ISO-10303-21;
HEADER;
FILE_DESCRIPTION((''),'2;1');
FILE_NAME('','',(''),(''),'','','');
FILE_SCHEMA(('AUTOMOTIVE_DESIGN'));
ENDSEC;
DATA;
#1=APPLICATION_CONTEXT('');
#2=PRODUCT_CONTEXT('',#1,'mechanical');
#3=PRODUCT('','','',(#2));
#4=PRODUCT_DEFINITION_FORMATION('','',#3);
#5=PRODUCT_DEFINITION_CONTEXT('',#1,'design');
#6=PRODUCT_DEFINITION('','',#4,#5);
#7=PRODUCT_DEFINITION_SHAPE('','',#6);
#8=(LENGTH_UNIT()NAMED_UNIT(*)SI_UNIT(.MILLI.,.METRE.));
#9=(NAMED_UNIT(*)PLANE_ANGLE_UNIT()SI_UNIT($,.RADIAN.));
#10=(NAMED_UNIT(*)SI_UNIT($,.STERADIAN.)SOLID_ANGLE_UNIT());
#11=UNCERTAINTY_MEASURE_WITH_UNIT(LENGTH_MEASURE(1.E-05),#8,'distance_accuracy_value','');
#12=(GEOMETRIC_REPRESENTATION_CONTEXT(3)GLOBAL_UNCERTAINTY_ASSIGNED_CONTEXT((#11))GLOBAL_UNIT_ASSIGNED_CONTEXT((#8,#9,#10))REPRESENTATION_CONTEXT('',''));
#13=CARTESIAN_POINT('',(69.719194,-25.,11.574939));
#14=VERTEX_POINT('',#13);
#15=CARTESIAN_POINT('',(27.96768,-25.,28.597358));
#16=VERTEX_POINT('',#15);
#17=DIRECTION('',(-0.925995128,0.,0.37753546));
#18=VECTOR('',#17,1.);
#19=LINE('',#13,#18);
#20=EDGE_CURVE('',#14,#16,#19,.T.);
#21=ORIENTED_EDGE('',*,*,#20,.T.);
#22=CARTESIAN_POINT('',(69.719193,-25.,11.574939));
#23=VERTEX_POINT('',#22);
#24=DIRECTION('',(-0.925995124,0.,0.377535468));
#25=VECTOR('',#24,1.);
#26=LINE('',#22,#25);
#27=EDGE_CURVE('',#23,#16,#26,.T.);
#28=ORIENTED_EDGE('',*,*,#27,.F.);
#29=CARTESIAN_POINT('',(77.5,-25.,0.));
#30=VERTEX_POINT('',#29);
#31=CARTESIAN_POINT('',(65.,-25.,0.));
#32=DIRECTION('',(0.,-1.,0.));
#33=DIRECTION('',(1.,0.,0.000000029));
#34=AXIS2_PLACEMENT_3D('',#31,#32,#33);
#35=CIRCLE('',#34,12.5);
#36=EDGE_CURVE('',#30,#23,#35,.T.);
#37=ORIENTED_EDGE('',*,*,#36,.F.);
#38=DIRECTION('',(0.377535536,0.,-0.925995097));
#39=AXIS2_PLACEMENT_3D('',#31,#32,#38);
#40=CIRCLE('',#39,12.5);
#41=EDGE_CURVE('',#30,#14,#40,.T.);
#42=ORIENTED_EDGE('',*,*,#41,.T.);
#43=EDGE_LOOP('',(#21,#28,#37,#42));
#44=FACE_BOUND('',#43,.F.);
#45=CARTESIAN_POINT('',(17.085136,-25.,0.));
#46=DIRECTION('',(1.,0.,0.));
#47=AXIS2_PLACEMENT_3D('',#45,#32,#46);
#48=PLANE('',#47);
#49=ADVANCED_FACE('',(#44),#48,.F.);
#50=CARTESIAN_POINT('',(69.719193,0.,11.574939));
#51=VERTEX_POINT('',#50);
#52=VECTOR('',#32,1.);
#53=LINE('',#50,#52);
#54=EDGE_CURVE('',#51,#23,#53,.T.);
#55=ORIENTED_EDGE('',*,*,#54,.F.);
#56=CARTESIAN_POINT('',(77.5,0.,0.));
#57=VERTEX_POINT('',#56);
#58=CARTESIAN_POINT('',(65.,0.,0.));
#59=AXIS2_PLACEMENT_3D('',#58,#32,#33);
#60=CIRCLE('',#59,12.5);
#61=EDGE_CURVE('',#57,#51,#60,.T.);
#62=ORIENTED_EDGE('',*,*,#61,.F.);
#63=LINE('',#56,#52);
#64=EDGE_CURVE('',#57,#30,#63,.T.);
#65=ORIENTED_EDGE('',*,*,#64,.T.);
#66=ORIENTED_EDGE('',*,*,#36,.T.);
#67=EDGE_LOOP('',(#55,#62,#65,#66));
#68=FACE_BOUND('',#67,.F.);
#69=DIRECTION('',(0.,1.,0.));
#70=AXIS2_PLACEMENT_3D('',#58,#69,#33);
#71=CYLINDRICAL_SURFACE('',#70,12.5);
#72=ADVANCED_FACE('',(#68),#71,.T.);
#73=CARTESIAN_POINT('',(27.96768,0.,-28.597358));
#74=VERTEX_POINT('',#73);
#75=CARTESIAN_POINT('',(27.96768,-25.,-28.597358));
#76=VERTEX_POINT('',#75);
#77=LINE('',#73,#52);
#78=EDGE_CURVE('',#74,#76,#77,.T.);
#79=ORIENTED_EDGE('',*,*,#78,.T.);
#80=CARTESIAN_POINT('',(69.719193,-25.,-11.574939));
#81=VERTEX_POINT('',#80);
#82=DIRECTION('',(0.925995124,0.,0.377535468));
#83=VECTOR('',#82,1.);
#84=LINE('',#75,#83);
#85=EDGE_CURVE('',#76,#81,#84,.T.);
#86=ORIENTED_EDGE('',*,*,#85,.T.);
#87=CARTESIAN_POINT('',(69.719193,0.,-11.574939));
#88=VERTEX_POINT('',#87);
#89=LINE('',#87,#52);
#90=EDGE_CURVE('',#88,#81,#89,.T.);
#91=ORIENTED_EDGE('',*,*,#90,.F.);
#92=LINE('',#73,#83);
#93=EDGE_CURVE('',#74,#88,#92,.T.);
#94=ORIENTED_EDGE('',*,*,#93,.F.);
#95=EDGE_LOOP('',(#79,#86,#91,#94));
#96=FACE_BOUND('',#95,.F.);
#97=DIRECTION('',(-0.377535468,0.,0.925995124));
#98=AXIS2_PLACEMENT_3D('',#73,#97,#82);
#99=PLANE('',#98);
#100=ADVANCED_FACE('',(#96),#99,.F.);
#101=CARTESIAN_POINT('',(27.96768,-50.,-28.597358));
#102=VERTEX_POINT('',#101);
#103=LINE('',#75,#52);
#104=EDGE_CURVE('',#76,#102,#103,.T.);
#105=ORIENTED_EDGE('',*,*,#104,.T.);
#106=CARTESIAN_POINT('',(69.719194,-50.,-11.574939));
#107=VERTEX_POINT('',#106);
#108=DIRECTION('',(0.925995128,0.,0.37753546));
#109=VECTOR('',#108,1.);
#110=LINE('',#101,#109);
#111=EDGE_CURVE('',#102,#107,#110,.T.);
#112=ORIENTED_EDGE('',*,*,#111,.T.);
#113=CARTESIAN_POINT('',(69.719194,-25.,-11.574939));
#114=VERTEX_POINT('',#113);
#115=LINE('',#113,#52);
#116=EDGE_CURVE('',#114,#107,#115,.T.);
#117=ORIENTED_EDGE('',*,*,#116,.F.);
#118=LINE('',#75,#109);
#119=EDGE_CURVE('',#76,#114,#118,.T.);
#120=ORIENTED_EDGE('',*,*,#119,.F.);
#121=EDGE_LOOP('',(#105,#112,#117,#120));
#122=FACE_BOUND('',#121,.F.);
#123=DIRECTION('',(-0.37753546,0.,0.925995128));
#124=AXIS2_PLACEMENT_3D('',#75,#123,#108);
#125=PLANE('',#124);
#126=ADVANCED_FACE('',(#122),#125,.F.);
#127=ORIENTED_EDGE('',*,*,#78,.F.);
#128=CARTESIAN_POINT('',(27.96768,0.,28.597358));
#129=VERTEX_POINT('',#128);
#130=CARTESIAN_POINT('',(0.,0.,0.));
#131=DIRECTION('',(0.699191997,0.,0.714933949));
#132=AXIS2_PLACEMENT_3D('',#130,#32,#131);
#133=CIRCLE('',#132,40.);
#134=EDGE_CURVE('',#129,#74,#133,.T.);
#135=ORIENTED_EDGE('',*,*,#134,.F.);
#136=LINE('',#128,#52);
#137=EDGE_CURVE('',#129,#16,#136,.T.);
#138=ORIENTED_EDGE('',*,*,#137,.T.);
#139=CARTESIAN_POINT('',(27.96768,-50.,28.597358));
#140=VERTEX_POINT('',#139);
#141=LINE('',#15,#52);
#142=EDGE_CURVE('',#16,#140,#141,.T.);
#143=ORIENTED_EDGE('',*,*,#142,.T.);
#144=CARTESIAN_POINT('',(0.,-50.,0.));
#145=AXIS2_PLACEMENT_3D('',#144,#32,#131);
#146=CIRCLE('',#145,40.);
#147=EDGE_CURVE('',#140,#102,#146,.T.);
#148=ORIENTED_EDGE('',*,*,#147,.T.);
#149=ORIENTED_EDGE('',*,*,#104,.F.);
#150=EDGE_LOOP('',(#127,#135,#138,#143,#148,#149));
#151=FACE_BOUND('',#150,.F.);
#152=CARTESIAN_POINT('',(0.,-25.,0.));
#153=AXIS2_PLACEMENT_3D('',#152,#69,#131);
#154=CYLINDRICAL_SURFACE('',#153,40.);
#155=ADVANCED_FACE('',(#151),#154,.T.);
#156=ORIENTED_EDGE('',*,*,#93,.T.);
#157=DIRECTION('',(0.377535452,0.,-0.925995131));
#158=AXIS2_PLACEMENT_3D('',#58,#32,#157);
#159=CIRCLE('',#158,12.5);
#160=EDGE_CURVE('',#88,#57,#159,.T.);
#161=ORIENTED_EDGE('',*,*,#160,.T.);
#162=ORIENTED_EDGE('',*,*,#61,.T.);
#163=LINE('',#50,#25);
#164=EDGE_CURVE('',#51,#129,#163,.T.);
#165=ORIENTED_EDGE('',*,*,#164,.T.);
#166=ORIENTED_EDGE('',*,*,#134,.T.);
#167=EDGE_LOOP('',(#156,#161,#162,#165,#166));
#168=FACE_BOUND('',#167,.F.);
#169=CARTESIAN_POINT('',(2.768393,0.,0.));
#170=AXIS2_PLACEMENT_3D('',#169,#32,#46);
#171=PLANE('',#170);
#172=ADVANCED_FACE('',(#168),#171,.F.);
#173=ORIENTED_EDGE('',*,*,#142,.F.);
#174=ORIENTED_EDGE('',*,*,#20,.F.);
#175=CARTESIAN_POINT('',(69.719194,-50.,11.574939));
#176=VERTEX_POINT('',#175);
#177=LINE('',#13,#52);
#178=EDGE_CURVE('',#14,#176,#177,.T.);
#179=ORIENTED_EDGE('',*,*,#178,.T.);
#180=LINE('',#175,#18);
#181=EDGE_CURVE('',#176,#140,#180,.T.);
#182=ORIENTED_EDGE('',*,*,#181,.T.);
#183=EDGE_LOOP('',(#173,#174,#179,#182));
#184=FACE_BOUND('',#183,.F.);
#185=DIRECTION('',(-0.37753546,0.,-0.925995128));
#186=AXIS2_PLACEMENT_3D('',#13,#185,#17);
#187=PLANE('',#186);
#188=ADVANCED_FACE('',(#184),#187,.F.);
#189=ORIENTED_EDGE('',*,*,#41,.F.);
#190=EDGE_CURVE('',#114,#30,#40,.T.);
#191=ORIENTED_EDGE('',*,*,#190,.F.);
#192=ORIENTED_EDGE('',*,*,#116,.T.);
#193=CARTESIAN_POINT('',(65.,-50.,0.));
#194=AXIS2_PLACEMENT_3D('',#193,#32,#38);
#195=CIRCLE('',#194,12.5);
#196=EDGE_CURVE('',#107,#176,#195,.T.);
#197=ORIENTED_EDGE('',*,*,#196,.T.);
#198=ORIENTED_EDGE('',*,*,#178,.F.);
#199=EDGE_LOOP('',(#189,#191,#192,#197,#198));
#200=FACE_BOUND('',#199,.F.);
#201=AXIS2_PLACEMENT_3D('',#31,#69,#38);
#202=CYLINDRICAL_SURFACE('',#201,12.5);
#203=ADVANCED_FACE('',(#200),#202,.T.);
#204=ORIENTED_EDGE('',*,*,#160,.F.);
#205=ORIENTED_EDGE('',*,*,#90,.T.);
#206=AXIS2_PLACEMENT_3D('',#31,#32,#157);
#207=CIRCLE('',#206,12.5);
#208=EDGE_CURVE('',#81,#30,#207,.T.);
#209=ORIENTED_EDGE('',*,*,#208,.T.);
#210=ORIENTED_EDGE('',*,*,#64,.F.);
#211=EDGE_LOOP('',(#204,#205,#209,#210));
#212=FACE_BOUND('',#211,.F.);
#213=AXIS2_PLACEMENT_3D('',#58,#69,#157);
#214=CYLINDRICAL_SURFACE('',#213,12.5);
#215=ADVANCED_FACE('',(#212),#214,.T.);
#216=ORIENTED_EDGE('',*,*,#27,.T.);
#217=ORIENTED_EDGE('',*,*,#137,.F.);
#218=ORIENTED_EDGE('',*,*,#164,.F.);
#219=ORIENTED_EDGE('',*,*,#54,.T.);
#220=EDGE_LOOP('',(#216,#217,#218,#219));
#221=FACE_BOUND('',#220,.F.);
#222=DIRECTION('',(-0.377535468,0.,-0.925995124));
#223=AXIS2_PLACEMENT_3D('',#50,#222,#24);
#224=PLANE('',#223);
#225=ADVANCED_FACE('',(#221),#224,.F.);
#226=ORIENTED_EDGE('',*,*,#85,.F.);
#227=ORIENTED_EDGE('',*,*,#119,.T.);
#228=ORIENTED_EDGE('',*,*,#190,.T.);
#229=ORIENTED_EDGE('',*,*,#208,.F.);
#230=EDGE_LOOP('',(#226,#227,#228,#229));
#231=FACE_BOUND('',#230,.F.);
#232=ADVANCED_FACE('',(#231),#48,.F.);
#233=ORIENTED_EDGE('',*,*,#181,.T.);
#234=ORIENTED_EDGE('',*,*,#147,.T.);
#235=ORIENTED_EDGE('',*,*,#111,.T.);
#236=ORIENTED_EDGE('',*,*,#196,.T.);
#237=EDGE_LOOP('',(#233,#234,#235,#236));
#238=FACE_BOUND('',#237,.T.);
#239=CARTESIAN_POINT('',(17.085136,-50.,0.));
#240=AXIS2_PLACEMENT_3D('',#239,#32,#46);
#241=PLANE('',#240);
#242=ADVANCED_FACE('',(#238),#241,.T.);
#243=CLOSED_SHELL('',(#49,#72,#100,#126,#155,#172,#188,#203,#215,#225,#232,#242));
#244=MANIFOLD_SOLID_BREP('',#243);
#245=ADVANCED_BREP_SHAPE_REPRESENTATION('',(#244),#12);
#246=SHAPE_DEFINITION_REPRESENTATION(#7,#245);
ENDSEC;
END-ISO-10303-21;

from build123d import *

# Parameters (mm, degrees)
F2_DEPTH = 25
F3_DEPTH = 25
F1_R     = 6
F4_DEPTH = 50


with BuildPart() as f2:
    # F0 (on Front) → F2 (new body)
    with BuildSketch(Plane.XZ):
        with BuildLine():
            ThreePointArc((27.96768, -28.597358), (36.869413, -15.512782), (40, 0))
            ThreePointArc((40, 0), (36.869413, 15.512782), (27.96768, 28.597358))
            ThreePointArc((27.96768, 28.597358), (-40, 0), (27.96768, -28.597358))
        make_face()
        with BuildLine():
            ThreePointArc((77.5, 0), (75.374004, 6.973524), (69.719193, 11.574939))
            ThreePointArc((69.719193, 11.574939), (52.5, 0), (69.719193, -11.574939))
            ThreePointArc((69.719193, -11.574939), (75.374004, -6.973524), (77.5, 0))
        make_face()
        with BuildLine():
            ThreePointArc((27.96768, 28.597358), (36.869413, 15.512782), (40, 0))
            ThreePointArc((40, 0), (36.869413, -15.512782), (27.96768, -28.597358))
            Line((27.96768, -28.597358), (69.719193, -11.574939))
            ThreePointArc((69.719193, -11.574939), (52.5, 0), (69.719193, 11.574939))
            Line((69.719193, 11.574939), (27.96768, 28.597358))
        make_face()
    extrude(amount=F2_DEPTH)

    # F2_face (on face) → F3 (join)
    with BuildSketch(Plane(origin=(11.147252, -25, 0), x_dir=(1, 0, 0), z_dir=(0, -1, 0))):
        with BuildLine():
            ThreePointArc((16.820428, 28.597358), (-51.147252, 0), (16.820428, -28.597358))
            Line((16.820428, -28.597358), (58.571942, -11.574939))
            ThreePointArc((58.571942, -11.574939), (66.352748, 0), (58.571942, 11.574939))
            Line((58.571942, 11.574939), (16.820428, 28.597358))
        make_face()
    extrude(amount=F3_DEPTH)

    # F1 (on Front) → F4 (join)
    with BuildSketch(Plane.XZ):
        Circle(F1_R)
        with Locations((64.783454, 0)):
            Circle(F1_R)
    extrude(amount=F4_DEPTH)


solid = f2.part
